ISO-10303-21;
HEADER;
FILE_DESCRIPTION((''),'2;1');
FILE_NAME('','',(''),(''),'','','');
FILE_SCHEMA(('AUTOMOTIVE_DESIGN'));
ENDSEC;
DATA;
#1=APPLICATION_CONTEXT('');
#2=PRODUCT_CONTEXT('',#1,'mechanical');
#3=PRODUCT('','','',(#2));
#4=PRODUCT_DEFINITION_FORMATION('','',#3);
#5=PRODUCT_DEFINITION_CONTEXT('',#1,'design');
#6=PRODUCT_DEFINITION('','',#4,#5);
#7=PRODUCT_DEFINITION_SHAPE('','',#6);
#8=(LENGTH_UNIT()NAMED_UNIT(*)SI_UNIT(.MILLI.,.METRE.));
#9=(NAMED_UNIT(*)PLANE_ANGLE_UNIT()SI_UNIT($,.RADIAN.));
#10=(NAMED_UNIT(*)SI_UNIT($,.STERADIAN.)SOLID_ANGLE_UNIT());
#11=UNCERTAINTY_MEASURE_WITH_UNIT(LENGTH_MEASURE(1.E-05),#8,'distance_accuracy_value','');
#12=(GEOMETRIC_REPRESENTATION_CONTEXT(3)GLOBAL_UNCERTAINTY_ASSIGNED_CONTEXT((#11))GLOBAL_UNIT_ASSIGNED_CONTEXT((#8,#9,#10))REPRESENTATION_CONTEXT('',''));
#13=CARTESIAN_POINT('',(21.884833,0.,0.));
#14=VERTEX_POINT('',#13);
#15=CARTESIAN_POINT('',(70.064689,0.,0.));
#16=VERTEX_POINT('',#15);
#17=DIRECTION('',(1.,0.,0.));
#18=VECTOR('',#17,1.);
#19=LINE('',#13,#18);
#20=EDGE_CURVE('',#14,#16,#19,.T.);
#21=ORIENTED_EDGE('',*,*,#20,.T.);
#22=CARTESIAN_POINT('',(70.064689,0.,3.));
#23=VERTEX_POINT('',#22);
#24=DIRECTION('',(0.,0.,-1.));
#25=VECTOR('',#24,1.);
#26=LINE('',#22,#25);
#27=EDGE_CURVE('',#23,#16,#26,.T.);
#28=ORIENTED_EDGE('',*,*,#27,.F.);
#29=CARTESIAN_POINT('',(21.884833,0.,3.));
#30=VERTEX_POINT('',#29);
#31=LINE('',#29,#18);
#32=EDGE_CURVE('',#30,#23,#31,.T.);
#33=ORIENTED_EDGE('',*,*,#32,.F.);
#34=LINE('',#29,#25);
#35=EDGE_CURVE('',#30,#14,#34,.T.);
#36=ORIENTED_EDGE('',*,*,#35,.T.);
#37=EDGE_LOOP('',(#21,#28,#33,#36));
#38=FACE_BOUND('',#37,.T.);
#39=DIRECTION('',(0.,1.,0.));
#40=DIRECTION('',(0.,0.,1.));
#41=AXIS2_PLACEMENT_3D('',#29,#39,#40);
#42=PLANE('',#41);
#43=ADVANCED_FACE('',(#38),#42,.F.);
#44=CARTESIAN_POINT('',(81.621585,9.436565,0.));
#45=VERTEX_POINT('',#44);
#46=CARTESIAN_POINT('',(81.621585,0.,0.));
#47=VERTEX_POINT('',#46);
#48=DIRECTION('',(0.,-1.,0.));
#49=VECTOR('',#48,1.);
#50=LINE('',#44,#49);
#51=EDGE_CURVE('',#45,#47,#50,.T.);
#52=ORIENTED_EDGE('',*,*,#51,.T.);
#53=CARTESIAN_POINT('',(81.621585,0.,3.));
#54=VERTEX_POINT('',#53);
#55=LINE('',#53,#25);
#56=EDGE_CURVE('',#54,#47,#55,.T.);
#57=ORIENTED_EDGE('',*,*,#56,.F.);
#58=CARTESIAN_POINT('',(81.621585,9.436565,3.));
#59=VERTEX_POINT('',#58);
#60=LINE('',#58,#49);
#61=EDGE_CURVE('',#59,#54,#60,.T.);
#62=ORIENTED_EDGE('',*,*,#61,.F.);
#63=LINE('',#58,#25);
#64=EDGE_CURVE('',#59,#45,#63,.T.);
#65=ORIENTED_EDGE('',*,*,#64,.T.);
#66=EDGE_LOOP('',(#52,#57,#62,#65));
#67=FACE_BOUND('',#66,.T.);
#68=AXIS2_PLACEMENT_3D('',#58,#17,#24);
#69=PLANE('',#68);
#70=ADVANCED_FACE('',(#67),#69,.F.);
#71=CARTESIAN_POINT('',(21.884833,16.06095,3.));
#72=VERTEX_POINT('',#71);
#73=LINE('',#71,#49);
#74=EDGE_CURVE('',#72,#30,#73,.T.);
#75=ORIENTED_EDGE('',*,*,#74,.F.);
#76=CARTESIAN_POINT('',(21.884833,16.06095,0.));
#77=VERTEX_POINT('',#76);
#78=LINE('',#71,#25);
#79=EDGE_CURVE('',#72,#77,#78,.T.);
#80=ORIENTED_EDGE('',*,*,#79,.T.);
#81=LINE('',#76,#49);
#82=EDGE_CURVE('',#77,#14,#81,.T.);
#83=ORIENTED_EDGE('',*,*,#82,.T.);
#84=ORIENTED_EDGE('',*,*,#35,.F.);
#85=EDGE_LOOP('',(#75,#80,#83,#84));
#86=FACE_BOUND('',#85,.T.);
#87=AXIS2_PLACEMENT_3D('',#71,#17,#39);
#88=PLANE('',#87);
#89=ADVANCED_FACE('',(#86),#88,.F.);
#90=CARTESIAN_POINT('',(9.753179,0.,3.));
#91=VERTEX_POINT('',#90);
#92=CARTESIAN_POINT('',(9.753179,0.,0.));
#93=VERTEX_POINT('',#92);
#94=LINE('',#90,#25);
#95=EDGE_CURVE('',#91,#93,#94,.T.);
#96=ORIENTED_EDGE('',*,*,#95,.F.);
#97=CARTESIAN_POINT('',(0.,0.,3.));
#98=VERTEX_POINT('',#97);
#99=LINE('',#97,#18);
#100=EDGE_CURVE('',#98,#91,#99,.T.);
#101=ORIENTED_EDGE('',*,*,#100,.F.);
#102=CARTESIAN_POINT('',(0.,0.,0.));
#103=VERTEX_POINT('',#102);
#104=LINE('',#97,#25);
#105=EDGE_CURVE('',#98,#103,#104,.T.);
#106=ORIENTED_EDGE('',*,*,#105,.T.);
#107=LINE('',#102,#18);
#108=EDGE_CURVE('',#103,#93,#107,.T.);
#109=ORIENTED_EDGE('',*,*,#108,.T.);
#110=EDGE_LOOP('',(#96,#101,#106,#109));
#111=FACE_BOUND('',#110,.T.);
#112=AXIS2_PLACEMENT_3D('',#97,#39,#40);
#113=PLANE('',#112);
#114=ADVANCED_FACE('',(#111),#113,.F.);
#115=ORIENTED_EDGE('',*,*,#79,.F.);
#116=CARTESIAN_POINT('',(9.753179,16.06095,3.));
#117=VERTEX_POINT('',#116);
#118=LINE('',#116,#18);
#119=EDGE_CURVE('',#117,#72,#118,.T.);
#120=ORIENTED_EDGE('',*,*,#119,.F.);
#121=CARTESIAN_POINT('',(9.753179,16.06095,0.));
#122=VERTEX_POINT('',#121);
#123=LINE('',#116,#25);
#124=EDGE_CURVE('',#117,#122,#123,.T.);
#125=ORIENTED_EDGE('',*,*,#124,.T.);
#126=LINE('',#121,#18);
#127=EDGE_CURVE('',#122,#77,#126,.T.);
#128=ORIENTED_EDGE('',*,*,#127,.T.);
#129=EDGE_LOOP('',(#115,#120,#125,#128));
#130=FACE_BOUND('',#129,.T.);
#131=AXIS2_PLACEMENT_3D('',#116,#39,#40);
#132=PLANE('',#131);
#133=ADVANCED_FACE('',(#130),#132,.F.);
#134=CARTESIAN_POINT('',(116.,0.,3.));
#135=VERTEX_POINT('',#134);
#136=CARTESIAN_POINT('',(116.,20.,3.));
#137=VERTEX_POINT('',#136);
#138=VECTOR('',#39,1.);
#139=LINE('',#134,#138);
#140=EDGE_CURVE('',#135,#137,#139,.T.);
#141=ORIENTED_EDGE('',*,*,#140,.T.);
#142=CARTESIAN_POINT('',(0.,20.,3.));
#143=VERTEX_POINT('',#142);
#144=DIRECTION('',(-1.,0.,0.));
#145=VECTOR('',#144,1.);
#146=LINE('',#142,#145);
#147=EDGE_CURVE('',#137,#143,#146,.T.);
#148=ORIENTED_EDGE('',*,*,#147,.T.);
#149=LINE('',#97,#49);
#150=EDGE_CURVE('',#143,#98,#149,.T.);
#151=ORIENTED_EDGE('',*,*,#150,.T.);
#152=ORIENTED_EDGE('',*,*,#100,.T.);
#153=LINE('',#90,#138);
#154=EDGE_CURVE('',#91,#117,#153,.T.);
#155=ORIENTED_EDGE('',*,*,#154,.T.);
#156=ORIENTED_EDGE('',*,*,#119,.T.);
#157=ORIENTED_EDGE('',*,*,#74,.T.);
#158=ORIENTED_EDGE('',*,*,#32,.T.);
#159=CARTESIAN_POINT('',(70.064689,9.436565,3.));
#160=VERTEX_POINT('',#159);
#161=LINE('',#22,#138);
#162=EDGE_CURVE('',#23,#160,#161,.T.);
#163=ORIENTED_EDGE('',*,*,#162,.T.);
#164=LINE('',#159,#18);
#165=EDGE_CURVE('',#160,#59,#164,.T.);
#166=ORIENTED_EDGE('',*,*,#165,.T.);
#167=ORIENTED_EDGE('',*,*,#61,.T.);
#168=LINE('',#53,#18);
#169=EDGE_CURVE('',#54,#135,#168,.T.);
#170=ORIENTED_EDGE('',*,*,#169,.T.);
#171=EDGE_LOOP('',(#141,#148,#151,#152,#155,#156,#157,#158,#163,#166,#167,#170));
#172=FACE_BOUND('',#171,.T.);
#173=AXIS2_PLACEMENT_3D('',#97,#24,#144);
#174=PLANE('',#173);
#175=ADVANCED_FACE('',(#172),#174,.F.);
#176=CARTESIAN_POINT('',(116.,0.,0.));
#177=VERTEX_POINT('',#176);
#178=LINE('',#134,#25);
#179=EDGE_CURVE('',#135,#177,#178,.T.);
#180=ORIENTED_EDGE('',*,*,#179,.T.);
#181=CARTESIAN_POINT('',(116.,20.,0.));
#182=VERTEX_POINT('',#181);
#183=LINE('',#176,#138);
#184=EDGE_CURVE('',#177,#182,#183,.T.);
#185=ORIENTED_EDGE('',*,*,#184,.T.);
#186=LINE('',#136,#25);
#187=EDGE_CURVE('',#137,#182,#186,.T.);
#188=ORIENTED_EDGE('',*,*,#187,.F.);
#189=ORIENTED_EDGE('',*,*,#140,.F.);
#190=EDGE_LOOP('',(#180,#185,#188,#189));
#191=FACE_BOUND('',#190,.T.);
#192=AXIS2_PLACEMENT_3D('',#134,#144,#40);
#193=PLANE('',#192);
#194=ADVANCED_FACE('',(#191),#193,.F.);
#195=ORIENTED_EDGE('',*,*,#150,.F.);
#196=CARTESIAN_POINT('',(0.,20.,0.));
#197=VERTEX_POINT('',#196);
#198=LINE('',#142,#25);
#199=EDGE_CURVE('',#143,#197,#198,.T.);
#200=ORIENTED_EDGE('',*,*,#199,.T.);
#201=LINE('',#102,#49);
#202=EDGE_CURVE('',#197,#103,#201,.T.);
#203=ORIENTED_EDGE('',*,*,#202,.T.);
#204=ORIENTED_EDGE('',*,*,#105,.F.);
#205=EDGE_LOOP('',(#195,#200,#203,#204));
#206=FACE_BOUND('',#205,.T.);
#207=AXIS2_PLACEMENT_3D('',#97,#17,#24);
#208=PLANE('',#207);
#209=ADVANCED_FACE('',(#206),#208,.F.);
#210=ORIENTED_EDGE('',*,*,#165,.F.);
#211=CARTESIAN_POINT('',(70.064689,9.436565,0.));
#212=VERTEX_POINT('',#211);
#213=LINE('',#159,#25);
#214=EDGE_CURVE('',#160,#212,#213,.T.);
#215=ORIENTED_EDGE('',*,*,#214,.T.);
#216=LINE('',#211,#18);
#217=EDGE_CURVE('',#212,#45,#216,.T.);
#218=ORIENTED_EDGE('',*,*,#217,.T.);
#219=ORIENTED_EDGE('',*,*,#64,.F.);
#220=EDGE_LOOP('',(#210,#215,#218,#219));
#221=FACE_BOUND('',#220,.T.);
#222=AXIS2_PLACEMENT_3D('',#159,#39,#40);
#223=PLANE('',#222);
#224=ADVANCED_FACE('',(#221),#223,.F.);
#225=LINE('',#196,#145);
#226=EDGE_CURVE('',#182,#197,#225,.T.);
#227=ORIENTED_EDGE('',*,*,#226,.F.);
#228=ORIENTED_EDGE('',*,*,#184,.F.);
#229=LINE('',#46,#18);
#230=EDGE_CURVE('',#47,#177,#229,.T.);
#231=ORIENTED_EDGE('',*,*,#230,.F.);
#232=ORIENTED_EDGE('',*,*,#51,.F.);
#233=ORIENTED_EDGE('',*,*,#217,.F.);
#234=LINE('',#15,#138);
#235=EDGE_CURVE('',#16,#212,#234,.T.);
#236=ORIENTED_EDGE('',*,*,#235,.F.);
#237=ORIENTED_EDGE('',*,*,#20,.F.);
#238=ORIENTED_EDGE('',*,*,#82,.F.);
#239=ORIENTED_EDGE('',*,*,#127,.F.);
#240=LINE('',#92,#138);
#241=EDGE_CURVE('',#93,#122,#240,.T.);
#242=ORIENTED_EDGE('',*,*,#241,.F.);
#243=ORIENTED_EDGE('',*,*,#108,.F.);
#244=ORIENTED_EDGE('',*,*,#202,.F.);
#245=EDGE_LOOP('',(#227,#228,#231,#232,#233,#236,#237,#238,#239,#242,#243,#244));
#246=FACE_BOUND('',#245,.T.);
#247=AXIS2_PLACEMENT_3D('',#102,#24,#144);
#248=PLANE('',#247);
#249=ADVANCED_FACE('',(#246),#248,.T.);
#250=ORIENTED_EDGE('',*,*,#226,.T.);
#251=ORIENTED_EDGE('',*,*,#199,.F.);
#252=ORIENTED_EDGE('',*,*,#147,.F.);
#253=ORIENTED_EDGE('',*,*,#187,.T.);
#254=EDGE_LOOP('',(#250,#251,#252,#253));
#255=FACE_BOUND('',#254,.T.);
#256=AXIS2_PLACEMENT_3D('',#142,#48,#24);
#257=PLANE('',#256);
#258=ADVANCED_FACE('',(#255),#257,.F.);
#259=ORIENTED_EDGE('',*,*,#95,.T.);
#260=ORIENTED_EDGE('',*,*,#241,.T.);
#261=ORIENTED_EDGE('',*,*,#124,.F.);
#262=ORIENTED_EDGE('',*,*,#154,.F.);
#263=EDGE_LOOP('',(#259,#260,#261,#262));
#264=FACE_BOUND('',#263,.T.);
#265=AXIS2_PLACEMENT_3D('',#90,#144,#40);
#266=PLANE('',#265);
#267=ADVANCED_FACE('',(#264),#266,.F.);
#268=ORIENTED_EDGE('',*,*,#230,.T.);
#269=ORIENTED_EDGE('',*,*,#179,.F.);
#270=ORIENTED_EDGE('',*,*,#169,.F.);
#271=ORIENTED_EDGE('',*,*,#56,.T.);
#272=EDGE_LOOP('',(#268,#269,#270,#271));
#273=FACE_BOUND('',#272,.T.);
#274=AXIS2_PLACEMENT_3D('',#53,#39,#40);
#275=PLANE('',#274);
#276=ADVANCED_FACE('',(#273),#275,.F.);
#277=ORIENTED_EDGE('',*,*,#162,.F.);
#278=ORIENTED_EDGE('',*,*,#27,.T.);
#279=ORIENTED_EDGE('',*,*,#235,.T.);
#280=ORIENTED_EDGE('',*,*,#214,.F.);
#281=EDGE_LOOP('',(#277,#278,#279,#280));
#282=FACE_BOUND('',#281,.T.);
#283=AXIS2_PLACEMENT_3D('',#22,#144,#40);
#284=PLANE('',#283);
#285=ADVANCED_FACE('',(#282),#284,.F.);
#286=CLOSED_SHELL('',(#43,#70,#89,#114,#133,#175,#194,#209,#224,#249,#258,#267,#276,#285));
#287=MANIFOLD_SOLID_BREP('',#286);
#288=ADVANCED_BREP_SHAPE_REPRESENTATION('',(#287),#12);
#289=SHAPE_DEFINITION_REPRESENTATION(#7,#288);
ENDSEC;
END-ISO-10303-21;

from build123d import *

# Parameters (mm, degrees)
BOSS_EXTRUDE1_DEPTH = 3


with BuildPart() as part:
    # Sketch1 → Boss-Extrude1 (new body)
    with BuildSketch(Plane.XY):
        Polygon((0, 0), (9.75317906, 0), (9.75317906, 16.060950102), (21.884832768, 16.060950102), (21.884832768, 0), (70.064689103, 0), (70.064689103, 9.436565379), (81.621585488, 9.436565379), (81.621585488, 0), (116, 0), (116, 20), (0, 20), align=None)
    extrude(amount=BOSS_EXTRUDE1_DEPTH)


solid = part.part
